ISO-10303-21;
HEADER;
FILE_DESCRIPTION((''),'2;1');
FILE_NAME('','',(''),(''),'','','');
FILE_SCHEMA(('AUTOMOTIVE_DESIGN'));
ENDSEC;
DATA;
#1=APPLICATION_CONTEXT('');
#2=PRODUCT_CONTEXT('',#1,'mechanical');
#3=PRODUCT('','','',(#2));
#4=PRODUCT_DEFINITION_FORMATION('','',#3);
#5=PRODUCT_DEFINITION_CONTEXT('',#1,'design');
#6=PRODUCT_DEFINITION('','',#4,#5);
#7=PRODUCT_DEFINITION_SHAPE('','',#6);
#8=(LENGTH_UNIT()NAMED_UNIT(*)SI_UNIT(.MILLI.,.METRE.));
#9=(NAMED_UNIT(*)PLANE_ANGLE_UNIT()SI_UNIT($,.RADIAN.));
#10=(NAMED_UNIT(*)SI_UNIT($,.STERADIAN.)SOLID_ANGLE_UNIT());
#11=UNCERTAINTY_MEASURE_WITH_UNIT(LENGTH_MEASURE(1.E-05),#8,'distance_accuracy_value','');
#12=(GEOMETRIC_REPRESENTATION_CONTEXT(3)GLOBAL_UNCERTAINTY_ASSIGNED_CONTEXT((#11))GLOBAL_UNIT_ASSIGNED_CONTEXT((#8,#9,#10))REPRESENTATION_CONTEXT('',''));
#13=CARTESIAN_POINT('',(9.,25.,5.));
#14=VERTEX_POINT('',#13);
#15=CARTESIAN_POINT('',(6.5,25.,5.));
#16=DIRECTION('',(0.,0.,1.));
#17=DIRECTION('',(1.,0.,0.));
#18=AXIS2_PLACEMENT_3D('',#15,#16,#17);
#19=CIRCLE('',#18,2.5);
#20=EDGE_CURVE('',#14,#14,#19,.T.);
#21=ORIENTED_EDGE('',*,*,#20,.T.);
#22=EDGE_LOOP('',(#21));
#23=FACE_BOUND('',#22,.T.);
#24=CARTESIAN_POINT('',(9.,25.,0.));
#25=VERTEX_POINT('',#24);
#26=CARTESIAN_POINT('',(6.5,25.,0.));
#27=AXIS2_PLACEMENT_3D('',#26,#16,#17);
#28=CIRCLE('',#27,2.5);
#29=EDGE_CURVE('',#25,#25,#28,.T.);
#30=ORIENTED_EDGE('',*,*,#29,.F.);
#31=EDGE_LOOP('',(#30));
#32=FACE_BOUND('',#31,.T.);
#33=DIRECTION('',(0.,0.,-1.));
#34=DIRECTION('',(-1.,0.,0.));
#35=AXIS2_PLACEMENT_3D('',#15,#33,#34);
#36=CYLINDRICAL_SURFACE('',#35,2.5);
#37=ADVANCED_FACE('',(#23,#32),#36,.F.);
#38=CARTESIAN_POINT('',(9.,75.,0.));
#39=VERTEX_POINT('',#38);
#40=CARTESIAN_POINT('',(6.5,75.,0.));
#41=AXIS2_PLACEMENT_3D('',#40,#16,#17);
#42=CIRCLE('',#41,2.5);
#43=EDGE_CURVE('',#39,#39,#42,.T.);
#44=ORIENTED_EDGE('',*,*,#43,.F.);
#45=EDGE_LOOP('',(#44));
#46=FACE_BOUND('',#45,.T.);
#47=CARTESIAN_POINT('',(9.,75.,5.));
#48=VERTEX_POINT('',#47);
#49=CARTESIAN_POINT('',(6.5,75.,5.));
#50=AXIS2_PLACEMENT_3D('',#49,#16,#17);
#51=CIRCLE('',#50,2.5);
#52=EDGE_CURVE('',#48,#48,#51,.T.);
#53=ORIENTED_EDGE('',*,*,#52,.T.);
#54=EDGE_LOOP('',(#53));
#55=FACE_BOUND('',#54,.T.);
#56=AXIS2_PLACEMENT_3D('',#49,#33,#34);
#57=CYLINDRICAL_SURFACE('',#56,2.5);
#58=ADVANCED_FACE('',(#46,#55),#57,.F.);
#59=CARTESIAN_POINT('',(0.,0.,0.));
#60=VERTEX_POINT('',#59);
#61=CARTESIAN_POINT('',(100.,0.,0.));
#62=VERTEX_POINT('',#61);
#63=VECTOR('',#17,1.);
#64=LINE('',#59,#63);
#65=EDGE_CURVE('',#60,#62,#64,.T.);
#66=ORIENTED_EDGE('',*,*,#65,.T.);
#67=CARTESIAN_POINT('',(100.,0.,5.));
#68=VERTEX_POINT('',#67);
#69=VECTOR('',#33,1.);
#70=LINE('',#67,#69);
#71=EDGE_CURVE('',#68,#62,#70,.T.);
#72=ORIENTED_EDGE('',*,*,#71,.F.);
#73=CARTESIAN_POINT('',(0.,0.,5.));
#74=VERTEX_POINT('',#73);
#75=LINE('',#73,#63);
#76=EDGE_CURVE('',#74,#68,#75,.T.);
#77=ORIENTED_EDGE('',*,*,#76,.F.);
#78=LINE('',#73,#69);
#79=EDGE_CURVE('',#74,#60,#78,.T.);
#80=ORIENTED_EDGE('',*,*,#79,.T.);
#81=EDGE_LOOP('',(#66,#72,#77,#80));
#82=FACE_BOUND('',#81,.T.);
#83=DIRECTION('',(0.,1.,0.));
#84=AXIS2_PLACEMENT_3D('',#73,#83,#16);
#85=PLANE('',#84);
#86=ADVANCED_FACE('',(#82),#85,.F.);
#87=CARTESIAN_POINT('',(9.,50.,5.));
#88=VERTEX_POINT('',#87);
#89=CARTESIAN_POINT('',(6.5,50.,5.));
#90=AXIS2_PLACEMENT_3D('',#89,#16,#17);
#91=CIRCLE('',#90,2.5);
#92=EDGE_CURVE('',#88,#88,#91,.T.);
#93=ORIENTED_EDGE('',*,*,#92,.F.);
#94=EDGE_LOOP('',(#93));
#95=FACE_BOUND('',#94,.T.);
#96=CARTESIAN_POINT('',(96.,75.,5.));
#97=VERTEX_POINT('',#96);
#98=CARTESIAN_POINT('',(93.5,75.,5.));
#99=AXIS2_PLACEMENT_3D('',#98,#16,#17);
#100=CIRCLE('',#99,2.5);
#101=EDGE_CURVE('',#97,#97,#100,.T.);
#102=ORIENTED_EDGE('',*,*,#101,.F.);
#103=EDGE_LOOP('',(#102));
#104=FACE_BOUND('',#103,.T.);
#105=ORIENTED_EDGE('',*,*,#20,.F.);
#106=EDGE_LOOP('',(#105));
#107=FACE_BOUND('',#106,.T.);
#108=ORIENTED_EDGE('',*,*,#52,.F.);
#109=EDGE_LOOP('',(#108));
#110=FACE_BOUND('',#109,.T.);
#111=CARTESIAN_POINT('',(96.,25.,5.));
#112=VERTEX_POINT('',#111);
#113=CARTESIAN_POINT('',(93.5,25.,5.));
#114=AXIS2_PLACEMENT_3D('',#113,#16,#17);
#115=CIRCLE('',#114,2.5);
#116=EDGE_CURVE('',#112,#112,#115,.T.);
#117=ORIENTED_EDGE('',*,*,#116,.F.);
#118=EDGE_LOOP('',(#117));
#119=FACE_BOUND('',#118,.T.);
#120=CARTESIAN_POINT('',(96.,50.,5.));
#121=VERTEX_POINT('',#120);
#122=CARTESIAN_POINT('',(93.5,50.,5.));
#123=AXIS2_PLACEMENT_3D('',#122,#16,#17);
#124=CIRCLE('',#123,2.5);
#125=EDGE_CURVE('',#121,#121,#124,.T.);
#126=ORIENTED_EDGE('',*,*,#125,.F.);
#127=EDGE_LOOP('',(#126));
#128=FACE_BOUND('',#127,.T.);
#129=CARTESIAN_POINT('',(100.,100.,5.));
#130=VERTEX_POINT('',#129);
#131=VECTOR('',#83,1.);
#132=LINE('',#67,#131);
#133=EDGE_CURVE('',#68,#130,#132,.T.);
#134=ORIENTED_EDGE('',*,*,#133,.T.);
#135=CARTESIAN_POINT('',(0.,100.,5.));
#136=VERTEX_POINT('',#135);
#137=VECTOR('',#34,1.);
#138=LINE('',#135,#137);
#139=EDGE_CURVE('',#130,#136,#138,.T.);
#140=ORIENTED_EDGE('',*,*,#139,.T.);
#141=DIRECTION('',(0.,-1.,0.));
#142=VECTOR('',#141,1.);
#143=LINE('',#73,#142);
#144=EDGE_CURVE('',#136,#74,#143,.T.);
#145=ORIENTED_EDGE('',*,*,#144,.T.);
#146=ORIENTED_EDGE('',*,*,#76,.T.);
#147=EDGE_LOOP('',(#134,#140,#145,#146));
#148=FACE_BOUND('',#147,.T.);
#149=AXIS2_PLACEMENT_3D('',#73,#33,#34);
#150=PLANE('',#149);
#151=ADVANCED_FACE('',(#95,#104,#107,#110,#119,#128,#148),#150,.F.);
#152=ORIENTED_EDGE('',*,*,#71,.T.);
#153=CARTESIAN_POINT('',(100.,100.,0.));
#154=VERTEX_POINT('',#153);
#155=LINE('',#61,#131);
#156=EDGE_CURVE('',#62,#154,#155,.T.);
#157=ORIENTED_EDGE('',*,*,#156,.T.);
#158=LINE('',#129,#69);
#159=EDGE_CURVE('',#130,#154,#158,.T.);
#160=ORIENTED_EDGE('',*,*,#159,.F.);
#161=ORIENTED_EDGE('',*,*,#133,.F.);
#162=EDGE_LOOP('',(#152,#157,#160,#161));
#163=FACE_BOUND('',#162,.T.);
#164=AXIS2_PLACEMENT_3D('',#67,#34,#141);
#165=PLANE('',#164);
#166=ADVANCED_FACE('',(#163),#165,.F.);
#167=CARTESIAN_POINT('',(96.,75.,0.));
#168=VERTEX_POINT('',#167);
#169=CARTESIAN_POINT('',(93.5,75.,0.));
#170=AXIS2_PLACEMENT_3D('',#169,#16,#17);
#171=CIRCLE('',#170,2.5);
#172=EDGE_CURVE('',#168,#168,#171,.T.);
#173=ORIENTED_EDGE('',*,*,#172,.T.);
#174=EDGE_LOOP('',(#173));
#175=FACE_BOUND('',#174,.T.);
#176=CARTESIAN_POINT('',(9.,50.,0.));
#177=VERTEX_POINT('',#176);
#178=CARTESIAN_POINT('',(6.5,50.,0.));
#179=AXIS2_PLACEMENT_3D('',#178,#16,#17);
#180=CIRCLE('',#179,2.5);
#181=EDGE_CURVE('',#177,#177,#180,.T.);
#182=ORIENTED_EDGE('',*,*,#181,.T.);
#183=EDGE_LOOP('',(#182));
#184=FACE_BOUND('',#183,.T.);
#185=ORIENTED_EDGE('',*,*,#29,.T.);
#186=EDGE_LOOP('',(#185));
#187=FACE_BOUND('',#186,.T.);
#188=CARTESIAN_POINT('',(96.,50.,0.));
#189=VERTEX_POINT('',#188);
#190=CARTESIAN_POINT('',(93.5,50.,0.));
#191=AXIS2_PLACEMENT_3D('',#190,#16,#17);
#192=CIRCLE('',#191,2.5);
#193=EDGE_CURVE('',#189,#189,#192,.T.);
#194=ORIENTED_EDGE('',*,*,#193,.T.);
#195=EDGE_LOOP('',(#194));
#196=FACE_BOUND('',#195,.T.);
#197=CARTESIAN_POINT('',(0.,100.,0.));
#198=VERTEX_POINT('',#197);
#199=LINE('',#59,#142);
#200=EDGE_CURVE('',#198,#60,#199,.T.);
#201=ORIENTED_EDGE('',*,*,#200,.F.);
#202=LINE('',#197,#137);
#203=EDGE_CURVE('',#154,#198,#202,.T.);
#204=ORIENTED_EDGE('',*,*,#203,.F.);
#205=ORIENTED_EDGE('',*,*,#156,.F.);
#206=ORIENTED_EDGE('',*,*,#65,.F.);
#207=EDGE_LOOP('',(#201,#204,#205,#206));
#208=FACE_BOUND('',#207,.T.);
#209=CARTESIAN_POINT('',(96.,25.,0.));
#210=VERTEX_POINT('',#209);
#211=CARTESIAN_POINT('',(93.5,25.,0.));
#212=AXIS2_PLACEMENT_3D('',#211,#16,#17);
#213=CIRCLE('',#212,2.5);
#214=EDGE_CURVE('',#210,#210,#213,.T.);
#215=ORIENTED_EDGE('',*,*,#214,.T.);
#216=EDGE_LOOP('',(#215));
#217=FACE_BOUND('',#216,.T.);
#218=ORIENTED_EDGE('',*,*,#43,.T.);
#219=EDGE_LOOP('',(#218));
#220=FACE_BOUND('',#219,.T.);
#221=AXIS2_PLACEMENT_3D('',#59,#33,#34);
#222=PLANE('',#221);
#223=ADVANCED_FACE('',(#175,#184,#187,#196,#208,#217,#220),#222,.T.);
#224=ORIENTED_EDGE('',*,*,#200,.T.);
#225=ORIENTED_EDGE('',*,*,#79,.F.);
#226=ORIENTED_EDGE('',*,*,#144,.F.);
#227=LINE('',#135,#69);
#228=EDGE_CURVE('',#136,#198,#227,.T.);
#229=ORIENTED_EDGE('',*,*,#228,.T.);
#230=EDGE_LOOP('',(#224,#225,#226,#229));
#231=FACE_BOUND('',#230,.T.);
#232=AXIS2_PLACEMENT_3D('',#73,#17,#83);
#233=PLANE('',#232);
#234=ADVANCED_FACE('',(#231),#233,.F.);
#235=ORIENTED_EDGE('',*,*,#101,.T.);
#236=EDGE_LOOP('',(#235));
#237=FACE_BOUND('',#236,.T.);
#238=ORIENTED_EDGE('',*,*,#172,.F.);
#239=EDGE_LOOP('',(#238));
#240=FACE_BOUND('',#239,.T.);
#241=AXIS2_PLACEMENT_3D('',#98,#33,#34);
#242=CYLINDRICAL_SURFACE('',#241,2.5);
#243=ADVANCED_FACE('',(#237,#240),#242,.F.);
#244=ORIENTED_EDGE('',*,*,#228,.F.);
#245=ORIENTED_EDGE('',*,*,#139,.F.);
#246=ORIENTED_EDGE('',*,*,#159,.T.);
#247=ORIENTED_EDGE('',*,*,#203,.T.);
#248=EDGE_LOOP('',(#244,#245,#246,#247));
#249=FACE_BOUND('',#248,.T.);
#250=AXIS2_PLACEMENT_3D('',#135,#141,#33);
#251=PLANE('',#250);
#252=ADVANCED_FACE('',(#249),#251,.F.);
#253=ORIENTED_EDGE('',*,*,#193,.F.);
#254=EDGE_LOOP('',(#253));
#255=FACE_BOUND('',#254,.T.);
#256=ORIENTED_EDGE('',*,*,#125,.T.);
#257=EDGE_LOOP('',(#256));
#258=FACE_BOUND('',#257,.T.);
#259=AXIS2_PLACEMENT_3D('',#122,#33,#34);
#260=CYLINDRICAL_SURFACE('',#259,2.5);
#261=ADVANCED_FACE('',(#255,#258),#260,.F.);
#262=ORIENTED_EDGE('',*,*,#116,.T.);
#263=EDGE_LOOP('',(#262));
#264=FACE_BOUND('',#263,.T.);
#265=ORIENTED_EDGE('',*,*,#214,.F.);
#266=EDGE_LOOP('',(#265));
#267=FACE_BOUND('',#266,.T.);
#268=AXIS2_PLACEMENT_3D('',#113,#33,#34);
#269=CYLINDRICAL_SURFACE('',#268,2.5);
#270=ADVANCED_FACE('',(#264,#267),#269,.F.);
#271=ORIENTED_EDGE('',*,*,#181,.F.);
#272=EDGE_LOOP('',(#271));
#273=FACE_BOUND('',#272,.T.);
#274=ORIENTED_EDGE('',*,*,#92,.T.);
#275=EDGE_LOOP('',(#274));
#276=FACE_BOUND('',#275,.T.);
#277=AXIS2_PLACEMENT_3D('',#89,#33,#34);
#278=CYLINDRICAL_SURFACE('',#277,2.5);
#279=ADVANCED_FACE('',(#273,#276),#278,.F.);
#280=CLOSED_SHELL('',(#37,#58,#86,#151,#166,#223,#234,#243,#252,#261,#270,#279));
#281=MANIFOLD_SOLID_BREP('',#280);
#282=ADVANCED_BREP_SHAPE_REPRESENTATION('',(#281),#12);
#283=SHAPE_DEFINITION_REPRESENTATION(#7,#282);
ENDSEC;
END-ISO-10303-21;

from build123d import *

# Parameters (mm, degrees)
SKETCH1_W           = 100
SKETCH1_H           = 100
SKETCH1_R           = 2.5
BOSS_EXTRUDE1_DEPTH = 5


with BuildPart() as part:
    # Sketch1 → Boss-Extrude1 (new body)
    with BuildSketch(Plane.XY):
        with Locations((50, 50)):
            Rectangle(SKETCH1_W, SKETCH1_H)
        with Locations((6.5, 75)):
            Circle(SKETCH1_R, mode=Mode.SUBTRACT)
        with Locations((6.5, 50)):
            Circle(SKETCH1_R, mode=Mode.SUBTRACT)
        with Locations((6.5, 25)):
            Circle(SKETCH1_R, mode=Mode.SUBTRACT)
        with Locations((93.5, 25)):
            Circle(SKETCH1_R, mode=Mode.SUBTRACT)
        with Locations((93.5, 50)):
            Circle(SKETCH1_R, mode=Mode.SUBTRACT)
        with Locations((93.5, 75)):
            Circle(SKETCH1_R, mode=Mode.SUBTRACT)
    extrude(amount=BOSS_EXTRUDE1_DEPTH)


solid = part.part
